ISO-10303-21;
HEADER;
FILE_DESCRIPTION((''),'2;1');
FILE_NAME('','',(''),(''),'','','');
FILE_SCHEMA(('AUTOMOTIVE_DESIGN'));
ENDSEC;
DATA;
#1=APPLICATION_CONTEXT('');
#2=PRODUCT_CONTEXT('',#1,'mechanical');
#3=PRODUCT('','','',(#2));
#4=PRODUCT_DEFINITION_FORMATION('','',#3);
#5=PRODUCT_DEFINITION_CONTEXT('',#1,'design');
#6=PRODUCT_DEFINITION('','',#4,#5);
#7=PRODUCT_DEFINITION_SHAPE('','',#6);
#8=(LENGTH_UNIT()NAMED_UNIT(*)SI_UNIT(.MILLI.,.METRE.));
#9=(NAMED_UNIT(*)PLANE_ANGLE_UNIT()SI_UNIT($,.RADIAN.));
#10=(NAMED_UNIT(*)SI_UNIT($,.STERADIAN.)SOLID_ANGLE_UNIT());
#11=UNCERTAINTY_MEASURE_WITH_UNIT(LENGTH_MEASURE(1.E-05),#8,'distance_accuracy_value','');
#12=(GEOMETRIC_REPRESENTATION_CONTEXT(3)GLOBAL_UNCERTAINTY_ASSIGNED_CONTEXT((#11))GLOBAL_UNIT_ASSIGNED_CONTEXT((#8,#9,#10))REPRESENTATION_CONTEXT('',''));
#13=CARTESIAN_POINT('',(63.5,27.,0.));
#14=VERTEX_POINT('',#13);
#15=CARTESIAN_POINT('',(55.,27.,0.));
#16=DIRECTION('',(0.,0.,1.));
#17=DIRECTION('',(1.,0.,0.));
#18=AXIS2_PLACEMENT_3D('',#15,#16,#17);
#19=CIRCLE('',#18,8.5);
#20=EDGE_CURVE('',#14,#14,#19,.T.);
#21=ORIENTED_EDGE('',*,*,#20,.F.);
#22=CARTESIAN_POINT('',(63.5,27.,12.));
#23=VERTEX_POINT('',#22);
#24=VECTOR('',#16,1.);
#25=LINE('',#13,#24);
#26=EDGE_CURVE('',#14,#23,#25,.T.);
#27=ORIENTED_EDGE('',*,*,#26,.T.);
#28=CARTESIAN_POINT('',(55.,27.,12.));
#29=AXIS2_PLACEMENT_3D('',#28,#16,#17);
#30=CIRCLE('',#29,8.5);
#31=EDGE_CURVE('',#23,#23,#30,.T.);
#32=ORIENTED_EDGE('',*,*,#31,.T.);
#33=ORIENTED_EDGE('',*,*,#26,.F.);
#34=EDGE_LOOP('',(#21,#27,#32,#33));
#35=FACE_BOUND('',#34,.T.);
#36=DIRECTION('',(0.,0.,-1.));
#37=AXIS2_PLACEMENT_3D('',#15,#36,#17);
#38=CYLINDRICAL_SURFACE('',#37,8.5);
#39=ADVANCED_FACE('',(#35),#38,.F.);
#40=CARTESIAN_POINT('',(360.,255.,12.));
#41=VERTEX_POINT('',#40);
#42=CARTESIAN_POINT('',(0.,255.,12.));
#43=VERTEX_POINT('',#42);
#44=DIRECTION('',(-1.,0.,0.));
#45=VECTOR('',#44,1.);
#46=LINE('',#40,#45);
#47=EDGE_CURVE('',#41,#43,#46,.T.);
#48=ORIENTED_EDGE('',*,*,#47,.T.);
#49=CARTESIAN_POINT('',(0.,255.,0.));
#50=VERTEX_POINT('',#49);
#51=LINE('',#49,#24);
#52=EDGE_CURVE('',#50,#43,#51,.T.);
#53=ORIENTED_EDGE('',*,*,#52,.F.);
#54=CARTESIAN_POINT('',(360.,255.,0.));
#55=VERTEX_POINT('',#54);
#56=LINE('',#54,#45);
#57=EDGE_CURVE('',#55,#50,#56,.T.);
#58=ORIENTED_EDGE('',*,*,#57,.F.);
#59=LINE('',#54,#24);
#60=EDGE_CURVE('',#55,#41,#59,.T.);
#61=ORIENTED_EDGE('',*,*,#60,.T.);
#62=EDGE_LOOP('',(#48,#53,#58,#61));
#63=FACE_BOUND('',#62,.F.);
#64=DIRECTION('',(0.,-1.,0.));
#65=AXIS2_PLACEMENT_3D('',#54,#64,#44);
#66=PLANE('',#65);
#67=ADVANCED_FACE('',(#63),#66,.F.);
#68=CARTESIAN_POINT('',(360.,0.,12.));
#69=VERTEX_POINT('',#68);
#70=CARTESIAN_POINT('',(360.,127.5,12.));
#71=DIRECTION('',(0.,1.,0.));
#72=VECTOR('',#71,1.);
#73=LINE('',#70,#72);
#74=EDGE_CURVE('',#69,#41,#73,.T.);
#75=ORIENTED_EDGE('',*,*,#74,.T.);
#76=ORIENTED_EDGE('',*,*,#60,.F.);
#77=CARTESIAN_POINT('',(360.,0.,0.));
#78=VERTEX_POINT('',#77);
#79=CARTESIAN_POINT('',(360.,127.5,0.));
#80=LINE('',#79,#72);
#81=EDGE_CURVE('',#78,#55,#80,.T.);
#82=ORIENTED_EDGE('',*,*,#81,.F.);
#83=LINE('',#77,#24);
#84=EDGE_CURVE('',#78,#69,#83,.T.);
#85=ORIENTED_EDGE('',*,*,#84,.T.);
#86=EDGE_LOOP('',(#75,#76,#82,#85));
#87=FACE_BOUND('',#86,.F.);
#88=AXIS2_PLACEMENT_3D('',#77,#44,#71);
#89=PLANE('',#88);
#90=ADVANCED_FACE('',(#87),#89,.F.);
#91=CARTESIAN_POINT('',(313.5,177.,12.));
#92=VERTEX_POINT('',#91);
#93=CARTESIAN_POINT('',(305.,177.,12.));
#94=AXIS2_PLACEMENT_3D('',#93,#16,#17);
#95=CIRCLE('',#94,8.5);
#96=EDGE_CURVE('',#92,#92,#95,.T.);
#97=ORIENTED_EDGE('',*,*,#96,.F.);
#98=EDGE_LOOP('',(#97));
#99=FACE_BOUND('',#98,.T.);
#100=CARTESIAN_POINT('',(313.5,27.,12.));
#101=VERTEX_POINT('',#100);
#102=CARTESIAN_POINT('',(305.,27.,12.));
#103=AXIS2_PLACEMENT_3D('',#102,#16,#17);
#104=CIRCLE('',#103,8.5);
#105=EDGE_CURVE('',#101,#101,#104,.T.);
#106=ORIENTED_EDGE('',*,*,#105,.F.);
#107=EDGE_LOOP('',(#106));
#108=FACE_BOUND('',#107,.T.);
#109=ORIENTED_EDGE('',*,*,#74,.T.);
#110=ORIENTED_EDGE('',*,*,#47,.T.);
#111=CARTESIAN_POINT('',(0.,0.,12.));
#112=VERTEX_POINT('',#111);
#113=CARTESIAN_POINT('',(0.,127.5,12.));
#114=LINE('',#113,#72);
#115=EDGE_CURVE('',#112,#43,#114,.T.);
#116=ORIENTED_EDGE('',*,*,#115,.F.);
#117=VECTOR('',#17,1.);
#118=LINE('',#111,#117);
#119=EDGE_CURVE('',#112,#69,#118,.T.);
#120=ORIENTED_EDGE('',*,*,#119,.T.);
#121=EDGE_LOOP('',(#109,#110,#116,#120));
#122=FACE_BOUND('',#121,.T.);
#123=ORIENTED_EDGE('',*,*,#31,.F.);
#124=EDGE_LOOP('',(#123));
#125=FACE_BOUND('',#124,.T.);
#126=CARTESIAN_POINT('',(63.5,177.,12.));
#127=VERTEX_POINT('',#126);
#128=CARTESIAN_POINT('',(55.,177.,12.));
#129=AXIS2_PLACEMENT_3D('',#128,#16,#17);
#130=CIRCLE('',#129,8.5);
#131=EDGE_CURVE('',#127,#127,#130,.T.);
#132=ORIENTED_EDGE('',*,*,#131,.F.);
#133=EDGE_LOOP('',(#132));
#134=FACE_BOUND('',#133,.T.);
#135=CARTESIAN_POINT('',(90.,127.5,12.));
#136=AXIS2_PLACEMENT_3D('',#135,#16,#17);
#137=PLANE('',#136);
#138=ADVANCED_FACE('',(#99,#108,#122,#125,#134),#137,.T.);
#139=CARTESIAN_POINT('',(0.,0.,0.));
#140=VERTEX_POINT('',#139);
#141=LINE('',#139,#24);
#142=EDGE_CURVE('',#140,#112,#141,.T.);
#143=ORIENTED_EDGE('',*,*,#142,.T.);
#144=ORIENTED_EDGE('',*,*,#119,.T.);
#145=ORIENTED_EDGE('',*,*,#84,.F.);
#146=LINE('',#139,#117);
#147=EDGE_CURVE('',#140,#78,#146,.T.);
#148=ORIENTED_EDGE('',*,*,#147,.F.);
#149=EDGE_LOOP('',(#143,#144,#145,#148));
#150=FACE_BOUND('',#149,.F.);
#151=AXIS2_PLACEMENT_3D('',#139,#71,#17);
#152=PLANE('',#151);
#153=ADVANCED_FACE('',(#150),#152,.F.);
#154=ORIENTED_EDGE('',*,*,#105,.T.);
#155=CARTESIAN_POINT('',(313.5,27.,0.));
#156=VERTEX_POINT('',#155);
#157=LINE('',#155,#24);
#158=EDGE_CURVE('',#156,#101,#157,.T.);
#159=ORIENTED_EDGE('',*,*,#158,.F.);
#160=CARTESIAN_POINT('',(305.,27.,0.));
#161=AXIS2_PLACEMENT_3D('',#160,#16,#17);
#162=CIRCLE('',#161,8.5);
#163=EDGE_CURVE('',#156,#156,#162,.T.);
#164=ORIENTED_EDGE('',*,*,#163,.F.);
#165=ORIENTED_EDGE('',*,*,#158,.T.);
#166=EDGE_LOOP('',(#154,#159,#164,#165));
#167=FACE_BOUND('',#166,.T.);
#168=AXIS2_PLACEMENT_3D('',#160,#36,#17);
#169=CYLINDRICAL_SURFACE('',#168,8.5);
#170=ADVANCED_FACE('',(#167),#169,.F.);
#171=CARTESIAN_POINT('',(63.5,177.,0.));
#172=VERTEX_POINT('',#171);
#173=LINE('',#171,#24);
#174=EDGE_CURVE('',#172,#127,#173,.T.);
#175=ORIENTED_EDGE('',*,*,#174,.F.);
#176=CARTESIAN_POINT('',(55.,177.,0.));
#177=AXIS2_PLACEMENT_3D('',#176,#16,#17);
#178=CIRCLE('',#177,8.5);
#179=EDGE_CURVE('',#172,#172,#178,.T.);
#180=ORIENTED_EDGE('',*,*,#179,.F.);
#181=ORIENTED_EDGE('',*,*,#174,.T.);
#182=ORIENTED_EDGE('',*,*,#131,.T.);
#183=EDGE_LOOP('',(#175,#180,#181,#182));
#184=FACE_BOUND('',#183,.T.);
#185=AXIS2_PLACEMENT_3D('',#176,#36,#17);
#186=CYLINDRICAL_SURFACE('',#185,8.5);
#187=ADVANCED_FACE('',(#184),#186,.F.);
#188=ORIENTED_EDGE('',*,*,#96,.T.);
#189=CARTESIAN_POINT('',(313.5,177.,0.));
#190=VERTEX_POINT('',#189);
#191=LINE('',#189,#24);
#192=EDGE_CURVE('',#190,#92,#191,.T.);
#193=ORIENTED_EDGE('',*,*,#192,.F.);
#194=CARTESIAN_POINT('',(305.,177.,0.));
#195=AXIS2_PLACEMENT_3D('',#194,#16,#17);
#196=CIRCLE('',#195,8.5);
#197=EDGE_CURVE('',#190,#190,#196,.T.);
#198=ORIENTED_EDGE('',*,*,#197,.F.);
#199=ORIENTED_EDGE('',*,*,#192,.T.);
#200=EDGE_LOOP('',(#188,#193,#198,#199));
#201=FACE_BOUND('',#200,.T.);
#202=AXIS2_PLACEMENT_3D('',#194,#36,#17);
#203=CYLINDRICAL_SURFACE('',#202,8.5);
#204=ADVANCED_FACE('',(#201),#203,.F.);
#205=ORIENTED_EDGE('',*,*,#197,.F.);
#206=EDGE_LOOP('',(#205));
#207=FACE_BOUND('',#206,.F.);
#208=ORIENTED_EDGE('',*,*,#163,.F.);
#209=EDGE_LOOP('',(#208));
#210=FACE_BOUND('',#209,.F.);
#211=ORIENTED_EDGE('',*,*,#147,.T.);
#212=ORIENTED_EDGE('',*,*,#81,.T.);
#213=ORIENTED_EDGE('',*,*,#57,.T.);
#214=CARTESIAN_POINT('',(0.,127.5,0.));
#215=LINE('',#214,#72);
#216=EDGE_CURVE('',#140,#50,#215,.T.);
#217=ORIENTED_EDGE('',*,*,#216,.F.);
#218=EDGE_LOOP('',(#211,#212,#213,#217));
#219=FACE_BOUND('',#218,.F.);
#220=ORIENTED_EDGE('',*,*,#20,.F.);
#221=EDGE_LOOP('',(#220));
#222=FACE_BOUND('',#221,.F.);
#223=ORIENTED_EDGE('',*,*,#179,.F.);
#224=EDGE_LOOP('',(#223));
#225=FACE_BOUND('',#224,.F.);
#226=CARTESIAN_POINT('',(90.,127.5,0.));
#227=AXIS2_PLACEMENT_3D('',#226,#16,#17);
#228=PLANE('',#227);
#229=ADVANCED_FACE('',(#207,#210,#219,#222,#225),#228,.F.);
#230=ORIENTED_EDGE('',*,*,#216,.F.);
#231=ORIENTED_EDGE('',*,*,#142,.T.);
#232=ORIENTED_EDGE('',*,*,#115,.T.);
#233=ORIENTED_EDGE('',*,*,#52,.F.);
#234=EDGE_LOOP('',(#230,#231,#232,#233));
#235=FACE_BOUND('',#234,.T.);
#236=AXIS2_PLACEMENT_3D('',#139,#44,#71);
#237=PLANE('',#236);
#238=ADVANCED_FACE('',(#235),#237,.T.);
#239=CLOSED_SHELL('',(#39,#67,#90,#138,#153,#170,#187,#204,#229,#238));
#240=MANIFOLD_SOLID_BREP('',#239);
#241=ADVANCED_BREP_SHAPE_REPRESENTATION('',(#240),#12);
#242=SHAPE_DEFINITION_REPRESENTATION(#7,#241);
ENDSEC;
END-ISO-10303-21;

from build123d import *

# Parameters (mm, degrees)
F0_W     = 180
F0_H     = 255
F0_R     = 8.5
F1_DEPTH = 12


with BuildPart() as f1:
    # F0 (on Top) → F1 (new body)
    with BuildSketch(Plane.XY):
        with Locations((90, 127.5)):
            Rectangle(F0_W, F0_H)
        with Locations((55, 27)):
            Circle(F0_R, mode=Mode.SUBTRACT)
        with Locations((55, 177)):
            Circle(F0_R, mode=Mode.SUBTRACT)
        with Locations((270, 127.5)):
            Rectangle(F0_W, F0_H)
        with Locations((305, 27)):
            Circle(F0_R, mode=Mode.SUBTRACT)
        with Locations((305, 177)):
            Circle(F0_R, mode=Mode.SUBTRACT)
    extrude(amount=F1_DEPTH)


solid = f1.part
